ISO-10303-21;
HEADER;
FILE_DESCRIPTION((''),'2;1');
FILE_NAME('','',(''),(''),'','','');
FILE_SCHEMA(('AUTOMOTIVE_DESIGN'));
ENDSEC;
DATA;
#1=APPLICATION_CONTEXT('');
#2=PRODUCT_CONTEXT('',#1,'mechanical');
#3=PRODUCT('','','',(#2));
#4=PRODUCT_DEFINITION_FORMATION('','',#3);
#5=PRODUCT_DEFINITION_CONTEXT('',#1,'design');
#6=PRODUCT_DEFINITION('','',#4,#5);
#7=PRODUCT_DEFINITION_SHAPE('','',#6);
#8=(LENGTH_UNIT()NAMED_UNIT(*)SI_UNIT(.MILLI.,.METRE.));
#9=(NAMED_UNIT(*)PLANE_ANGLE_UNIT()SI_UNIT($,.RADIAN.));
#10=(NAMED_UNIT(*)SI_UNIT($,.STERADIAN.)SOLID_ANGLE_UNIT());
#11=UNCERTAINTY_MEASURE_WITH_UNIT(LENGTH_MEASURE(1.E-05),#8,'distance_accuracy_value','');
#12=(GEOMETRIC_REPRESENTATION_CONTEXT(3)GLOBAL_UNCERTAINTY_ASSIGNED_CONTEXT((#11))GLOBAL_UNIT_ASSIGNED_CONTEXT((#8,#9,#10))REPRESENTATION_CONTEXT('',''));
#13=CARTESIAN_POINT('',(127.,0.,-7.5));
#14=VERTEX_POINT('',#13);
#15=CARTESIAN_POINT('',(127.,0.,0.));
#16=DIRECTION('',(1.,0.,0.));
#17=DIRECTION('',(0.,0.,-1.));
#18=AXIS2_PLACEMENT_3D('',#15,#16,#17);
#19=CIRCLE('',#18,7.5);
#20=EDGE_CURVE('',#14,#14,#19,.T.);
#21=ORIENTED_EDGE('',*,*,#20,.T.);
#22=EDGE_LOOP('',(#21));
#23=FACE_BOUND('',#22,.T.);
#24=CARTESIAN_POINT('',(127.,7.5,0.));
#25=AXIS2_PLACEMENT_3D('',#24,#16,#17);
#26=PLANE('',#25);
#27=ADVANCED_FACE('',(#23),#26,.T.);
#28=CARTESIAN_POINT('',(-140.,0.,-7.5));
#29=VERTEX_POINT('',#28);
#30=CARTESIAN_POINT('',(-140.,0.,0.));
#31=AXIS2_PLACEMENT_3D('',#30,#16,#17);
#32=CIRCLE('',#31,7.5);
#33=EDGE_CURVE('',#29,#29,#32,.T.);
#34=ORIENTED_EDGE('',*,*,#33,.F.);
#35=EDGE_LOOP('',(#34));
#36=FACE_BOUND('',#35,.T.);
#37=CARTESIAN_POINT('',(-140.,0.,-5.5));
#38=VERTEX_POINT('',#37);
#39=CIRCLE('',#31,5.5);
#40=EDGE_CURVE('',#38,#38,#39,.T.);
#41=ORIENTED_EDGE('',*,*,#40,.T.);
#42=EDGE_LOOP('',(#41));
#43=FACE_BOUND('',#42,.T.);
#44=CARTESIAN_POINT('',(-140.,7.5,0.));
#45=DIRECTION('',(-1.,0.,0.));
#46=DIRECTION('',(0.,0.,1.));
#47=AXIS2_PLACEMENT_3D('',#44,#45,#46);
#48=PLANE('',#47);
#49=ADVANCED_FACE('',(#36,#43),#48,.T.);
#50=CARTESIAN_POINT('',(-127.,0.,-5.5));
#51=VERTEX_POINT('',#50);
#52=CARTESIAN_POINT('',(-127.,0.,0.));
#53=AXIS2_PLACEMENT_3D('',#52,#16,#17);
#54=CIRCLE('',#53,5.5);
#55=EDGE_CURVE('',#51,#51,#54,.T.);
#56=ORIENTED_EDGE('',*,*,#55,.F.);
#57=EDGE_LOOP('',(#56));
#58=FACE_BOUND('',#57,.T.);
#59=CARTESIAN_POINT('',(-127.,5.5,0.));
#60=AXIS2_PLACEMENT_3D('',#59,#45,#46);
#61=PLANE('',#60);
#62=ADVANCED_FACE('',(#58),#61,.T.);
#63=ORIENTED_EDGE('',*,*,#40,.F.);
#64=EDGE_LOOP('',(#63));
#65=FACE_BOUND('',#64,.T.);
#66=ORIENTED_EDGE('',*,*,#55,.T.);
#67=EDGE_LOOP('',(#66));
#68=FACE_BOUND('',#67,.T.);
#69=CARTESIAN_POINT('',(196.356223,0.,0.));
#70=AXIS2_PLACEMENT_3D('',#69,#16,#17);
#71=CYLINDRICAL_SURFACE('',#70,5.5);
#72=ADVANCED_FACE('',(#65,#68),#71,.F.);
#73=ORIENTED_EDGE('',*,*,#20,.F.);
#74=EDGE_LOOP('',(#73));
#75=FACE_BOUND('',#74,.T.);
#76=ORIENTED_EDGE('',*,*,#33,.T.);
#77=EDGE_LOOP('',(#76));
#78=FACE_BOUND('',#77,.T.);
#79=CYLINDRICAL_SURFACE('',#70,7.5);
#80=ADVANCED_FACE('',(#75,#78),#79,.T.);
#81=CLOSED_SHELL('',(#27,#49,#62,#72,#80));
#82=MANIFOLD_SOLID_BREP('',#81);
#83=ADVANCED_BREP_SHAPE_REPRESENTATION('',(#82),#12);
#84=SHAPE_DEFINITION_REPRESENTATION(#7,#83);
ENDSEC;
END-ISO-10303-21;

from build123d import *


with BuildPart() as part:
    # Sketch1 → Revolve1 (revolve)
    with BuildSketch(Plane.XY, mode=Mode.PRIVATE) as revolve1_sk:
        Polygon((127, 7.5), (-140, 7.5), (-140, 5.5), (-127, 5.5), (-127, 0), (127, 0), align=None)
    revolve(revolve1_sk.sketch.rotate(Axis((196.356223274, 0, 0), (-1, 0, 0)), 90), axis=Axis((196.356223274, 0, 0), (-1, 0, 0)))


solid = part.part
